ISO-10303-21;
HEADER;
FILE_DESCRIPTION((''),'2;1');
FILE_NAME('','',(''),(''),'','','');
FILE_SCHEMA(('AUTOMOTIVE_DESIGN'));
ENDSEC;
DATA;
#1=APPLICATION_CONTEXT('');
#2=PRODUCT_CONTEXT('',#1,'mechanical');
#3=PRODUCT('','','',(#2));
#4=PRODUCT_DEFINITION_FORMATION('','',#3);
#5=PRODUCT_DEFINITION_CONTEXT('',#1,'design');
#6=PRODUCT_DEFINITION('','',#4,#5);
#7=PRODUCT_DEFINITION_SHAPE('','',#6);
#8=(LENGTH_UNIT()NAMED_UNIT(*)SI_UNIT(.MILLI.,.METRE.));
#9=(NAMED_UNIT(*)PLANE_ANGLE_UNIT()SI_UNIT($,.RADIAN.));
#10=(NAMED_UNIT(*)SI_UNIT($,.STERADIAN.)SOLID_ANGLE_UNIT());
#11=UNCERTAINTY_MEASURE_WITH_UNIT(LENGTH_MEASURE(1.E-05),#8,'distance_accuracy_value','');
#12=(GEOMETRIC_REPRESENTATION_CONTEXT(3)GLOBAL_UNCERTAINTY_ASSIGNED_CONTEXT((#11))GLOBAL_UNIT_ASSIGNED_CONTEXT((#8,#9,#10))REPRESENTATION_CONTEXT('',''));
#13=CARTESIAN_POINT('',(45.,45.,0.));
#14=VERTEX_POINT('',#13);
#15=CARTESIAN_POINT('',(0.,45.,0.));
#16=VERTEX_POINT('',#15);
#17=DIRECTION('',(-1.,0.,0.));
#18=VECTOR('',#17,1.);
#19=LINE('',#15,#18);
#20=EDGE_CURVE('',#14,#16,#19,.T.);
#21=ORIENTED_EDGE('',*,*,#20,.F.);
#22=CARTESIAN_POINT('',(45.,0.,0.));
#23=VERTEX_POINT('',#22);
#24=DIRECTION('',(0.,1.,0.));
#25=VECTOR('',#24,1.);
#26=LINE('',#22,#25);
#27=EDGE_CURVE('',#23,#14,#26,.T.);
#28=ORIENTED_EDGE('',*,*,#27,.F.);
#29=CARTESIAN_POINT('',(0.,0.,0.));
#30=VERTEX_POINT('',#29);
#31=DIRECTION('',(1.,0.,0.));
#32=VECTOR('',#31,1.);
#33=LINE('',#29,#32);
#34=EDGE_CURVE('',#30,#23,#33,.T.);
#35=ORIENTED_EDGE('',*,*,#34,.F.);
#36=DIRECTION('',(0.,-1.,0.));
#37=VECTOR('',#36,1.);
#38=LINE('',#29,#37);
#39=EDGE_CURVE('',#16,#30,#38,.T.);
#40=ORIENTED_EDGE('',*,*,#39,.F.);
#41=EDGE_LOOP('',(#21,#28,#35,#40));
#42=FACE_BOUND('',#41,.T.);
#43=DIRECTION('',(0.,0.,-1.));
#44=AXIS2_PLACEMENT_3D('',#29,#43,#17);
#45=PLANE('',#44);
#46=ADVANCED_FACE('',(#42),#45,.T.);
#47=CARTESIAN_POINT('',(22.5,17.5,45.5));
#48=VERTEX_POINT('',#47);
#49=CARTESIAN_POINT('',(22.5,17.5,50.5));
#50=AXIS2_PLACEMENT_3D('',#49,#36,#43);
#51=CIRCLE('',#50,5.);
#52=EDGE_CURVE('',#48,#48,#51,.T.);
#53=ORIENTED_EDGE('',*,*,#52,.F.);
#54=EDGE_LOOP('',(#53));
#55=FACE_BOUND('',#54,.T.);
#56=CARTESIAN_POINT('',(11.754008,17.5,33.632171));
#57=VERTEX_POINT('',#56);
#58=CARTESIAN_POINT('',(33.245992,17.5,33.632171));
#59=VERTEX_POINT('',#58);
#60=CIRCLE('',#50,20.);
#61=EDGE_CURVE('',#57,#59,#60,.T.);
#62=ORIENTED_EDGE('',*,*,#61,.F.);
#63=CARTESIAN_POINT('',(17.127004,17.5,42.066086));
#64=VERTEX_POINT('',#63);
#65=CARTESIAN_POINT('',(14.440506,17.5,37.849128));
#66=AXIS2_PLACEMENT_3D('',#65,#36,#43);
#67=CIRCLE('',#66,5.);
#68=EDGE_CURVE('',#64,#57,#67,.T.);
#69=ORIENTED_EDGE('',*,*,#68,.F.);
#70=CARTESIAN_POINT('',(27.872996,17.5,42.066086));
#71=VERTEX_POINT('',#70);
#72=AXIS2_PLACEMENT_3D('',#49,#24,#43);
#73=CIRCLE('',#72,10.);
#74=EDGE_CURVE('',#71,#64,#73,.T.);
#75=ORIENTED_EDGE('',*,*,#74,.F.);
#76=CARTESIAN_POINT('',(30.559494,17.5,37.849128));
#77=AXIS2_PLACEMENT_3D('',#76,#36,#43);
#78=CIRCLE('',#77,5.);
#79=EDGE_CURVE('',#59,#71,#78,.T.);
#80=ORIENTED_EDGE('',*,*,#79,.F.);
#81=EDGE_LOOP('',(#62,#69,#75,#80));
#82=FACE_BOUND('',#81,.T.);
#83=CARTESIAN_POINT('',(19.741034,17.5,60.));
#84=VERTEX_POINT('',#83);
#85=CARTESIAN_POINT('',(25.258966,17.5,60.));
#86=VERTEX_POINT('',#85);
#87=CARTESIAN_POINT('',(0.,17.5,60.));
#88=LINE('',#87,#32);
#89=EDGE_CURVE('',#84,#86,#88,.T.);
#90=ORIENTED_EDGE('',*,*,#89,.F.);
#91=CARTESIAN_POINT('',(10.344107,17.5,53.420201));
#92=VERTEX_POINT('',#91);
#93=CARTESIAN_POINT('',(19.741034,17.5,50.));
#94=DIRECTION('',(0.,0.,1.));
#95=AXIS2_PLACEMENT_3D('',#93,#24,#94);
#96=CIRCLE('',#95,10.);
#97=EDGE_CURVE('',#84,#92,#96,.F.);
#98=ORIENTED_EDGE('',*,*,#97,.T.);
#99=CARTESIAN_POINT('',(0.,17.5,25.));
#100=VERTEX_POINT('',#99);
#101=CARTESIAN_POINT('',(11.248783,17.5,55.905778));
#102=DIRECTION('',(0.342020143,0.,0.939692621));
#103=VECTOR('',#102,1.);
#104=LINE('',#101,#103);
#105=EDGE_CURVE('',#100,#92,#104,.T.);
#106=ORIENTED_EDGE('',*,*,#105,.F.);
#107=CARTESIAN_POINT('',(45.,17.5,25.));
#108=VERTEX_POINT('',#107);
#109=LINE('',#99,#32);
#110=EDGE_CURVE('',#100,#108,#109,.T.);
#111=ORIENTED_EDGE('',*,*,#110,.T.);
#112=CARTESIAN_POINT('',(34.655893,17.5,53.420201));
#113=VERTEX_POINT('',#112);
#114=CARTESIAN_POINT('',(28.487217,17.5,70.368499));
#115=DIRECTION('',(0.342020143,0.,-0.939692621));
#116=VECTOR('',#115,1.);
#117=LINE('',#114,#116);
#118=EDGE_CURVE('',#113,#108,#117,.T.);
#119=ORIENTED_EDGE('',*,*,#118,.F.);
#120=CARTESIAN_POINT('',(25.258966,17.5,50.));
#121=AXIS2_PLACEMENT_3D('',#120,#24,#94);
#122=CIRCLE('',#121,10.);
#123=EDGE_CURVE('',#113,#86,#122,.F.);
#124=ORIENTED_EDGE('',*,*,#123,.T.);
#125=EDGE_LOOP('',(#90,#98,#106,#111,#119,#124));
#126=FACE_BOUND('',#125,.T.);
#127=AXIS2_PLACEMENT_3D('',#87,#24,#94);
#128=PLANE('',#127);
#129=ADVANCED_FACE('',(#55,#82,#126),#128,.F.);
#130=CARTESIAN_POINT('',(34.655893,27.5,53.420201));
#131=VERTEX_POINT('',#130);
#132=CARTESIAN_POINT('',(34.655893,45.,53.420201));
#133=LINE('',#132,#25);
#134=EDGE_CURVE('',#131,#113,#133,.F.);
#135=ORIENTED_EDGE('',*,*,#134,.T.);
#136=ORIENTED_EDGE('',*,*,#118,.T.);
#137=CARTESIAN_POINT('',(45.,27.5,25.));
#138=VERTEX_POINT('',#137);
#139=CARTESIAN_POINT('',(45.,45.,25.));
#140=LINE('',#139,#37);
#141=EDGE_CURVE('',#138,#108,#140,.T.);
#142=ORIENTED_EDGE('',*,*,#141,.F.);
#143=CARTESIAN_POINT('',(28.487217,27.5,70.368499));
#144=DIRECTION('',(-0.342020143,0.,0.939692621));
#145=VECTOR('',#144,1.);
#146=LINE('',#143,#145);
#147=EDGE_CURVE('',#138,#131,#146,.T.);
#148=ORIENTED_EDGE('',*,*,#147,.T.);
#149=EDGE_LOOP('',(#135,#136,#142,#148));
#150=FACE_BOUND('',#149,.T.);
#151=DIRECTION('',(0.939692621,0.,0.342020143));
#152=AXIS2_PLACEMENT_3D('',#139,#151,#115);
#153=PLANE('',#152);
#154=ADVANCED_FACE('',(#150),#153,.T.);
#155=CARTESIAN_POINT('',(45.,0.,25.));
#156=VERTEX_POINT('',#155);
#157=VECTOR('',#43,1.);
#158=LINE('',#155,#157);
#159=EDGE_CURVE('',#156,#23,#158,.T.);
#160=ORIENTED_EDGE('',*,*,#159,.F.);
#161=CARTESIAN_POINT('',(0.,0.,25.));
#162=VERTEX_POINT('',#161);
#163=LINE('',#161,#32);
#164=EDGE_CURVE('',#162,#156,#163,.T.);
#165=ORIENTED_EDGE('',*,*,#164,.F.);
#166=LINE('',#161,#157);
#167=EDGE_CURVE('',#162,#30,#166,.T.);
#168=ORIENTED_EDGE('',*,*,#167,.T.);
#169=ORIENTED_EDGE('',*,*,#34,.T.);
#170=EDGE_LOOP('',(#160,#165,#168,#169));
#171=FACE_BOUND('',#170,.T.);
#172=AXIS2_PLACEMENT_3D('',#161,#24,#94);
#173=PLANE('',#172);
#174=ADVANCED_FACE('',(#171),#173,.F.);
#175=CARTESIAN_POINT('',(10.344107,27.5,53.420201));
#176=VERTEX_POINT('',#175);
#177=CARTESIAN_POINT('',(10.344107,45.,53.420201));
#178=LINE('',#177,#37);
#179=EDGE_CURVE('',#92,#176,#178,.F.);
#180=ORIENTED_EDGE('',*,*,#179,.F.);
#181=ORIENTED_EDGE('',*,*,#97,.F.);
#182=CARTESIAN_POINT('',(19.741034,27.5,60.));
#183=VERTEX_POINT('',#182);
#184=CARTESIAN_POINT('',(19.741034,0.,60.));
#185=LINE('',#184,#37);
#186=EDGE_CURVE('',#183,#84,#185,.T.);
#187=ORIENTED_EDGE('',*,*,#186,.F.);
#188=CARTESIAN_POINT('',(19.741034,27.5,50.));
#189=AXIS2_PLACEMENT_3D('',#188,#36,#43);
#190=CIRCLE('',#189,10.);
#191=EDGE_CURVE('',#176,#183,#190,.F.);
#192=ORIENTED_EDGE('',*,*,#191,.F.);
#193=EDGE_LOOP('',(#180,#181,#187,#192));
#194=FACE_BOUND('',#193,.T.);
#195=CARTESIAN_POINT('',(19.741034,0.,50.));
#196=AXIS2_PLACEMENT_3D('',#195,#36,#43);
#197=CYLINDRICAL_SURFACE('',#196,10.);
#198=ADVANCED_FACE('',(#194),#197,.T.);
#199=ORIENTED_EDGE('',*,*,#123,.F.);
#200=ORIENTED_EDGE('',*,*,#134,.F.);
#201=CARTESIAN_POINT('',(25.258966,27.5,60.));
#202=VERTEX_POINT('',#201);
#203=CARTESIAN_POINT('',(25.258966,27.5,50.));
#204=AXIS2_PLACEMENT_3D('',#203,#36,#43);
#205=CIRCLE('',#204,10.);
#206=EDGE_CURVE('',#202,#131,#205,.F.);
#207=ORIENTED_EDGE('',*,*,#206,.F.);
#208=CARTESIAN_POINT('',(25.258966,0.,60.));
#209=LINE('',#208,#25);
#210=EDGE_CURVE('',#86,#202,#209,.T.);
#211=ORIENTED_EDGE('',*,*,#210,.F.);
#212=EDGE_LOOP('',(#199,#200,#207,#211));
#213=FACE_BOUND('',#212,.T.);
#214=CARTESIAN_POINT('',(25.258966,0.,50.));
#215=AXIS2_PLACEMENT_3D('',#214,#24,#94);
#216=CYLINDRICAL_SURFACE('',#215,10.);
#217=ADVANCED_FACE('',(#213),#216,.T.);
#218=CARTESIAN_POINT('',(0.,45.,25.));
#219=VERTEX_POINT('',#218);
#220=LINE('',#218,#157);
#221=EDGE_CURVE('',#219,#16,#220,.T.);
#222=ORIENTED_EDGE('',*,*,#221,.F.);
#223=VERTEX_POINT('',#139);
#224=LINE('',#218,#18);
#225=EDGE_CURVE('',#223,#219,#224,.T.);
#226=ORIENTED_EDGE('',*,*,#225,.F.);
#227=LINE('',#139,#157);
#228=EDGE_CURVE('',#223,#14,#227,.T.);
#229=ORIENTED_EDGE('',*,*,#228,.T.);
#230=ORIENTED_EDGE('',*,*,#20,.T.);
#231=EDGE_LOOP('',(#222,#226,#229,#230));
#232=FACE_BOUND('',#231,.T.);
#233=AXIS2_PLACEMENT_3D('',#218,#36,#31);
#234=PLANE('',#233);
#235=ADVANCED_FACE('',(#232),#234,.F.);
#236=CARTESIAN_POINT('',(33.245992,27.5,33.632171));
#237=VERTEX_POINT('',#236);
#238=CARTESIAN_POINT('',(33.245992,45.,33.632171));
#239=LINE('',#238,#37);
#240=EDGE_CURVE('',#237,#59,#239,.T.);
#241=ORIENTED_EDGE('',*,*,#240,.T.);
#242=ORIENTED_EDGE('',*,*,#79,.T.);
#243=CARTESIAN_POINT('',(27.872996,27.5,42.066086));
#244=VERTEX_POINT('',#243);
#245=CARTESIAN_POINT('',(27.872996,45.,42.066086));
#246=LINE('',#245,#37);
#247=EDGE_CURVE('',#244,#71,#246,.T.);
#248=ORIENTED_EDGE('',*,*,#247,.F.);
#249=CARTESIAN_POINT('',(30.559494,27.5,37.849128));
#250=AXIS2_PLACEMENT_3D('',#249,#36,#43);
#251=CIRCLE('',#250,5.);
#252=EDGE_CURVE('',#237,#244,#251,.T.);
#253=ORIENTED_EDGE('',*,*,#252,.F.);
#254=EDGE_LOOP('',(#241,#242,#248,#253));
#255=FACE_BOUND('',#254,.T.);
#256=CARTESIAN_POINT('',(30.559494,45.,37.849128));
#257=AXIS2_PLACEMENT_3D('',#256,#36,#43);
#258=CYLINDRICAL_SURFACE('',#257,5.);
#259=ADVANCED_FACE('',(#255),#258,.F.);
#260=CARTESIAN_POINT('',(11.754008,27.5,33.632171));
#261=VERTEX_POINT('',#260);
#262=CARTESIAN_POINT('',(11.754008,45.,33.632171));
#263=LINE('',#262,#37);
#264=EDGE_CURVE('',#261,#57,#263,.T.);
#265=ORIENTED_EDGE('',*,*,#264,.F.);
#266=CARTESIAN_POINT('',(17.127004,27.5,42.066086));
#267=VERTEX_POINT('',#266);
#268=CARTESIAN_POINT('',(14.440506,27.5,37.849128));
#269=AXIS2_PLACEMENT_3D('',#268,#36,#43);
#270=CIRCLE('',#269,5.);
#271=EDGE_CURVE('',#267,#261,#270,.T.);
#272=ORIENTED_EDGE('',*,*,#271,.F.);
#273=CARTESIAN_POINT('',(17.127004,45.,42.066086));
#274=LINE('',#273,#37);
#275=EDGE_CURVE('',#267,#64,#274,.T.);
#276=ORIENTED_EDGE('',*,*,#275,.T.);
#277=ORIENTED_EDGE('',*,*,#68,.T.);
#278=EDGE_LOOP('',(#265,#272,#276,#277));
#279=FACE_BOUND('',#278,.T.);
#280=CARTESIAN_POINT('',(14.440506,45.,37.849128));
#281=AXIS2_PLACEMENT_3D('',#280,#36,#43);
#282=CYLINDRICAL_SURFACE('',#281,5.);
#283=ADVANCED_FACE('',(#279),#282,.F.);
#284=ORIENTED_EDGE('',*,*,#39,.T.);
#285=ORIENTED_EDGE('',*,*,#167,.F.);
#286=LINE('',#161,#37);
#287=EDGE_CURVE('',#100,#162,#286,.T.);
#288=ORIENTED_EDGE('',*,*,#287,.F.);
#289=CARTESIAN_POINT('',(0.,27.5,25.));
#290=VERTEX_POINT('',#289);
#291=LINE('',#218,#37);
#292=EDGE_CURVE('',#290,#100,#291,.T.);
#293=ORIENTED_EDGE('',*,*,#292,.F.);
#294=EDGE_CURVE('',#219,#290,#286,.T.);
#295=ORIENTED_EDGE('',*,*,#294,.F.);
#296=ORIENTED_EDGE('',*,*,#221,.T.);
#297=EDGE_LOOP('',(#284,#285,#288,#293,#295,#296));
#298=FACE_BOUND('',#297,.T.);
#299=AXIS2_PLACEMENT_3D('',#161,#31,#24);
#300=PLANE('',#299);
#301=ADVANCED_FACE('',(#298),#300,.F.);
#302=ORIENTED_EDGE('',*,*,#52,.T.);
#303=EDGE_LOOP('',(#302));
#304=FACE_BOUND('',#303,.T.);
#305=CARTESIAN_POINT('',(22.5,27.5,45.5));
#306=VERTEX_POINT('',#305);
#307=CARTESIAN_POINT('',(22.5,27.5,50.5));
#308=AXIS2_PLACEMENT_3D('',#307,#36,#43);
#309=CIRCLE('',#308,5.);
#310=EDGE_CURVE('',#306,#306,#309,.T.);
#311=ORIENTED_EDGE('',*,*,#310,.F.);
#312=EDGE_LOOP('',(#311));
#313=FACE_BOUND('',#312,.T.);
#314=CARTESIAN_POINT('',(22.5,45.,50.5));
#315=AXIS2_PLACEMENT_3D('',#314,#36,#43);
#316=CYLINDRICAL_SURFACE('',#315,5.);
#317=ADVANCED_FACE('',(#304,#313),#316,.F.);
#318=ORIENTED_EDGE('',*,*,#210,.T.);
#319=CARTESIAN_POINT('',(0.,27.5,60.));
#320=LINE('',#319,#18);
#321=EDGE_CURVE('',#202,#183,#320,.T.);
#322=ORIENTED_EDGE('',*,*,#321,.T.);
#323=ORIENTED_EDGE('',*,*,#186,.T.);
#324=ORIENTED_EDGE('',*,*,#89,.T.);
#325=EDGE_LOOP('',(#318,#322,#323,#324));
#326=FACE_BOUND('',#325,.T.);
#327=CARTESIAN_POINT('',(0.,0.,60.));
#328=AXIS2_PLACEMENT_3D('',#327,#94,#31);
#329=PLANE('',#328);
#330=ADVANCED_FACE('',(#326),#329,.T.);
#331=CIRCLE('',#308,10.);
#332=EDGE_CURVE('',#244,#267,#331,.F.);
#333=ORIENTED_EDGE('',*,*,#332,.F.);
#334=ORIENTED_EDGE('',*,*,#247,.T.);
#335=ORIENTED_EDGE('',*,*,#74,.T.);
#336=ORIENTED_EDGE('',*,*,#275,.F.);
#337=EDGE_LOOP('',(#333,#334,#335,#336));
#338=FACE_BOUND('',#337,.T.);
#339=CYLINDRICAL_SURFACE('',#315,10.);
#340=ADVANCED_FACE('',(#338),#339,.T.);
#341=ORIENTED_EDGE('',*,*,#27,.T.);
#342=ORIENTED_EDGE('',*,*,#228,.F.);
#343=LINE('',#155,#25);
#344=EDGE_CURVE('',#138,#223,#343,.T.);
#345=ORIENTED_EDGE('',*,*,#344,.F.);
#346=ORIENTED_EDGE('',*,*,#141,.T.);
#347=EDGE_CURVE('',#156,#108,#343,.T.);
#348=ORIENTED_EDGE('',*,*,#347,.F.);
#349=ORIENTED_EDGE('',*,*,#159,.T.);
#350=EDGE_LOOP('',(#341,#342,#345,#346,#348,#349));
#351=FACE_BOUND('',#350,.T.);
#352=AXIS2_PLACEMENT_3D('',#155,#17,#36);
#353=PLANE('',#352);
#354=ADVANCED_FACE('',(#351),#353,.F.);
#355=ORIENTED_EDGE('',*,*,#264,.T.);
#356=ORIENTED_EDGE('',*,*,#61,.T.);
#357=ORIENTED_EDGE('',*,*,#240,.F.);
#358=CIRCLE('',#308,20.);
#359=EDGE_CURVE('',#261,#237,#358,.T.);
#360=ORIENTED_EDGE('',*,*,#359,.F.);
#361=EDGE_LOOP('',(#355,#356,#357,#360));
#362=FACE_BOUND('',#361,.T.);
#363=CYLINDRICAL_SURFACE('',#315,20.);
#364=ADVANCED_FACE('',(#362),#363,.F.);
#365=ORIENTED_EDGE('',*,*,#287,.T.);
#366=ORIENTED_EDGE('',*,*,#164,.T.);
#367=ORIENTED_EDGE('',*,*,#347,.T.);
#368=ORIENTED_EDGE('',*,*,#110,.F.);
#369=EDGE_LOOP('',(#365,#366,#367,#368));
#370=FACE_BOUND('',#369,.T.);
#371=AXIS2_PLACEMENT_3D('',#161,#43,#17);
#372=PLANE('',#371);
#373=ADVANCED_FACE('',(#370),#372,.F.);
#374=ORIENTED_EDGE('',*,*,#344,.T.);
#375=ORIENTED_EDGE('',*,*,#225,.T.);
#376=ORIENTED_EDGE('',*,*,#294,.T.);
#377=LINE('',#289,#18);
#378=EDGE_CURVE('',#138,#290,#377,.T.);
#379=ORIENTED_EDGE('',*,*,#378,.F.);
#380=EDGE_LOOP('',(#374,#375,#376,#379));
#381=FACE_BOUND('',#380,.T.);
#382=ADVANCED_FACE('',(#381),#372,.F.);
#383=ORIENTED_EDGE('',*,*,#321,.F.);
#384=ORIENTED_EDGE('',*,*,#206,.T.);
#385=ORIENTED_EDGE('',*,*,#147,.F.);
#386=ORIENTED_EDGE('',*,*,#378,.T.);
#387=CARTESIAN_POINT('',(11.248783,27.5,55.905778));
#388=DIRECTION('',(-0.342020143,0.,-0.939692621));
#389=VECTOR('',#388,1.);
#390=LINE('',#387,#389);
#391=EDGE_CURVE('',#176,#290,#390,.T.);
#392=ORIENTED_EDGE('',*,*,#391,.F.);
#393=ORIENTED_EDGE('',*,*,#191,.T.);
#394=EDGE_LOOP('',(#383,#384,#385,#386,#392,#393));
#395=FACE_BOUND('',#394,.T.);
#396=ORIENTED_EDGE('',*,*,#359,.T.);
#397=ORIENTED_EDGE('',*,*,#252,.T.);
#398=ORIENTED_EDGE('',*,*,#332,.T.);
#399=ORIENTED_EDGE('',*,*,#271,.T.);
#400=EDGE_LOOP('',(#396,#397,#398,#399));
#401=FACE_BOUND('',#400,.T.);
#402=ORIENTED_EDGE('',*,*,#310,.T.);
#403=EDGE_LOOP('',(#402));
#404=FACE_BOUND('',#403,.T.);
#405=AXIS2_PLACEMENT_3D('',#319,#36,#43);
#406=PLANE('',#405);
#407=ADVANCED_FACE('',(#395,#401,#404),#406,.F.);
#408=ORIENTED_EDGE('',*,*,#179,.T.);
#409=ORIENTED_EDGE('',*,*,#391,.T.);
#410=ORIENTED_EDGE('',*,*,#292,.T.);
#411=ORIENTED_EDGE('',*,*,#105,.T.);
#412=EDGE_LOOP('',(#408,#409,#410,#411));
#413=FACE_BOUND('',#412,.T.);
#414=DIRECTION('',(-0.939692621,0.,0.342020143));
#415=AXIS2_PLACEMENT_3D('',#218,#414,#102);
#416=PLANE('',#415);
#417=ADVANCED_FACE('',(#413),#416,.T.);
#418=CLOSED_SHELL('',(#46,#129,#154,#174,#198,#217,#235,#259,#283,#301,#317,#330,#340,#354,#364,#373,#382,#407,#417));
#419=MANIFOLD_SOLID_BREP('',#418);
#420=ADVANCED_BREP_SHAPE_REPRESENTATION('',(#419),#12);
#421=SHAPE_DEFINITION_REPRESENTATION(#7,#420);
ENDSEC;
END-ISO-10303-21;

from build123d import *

# Parameters (mm, degrees)
SKETCH1_W           = 45
SKETCH1_H           = 45
BOSS_EXTRUDE1_DEPTH = 25
SKETCH3_W           = 45
SKETCH3_H           = 10
BOSS_EXTRUDE2_DEPTH = 35
SKETCH4_R           = 5
CUT_EXTRUDE4_DEPTH  = 28.5
CUT_EXTRUDE5_DEPTH  = 46
FILLET1_R           = 10


with BuildPart() as part:
    # Sketch1 → Boss-Extrude1 (new body)
    with BuildSketch(Plane.XY):
        with Locations((22.5, 22.5)):
            Rectangle(SKETCH1_W, SKETCH1_H)
    extrude(amount=BOSS_EXTRUDE1_DEPTH)

    # Sketch3 → Boss-Extrude2 (add)
    with BuildSketch(Plane.XY.offset(25)):
        with Locations((22.5, 22.5)):
            Rectangle(SKETCH3_W, SKETCH3_H)
    extrude(amount=BOSS_EXTRUDE2_DEPTH)

    # Sketch4 → Cut-Extrude4 (cut, through all)
    with BuildSketch(Plane.XZ.offset(-17.5)):
        with Locations((22.5, 50.5)):
            Circle(SKETCH4_R)
        with BuildLine():
            ThreePointArc((33.245992167, 33.632171084), (34.776451354, 40.535626355), (27.872996083, 42.066085542))
            ThreePointArc((27.872996083, 42.066085542), (22.5, 40.5), (17.127003917, 42.066085542))
            ThreePointArc((17.127003917, 42.066085542), (10.223548646, 40.535626355), (11.754007833, 33.632171084))
            ThreePointArc((11.754007833, 33.632171084), (22.5, 30.5), (33.245992167, 33.632171084))
        make_face()
    extrude(amount=-CUT_EXTRUDE4_DEPTH, mode=Mode.SUBTRACT)

    # Sketch5 → Cut-Extrude5 (cut, through all)
    with BuildSketch(Plane(origin=(0, 0, 0), x_dir=(1, 0, 0), z_dir=(0, 1, 0))):
        Polygon((45, -25), (32.261041801, -60), (45, -60), align=None)
        Polygon((0, -25), (12.738958199, -60), (0, -60), align=None)
    extrude(amount=CUT_EXTRUDE5_DEPTH, mode=Mode.SUBTRACT)

    # Fillet1
    fillet1_edges = [part.edges().sort_by_distance(p)[0] for p in [
        (12.738958199, 22.5, 60),
        (32.261041801, 22.5, 60),
    ]]
    fillet(fillet1_edges, radius=FILLET1_R)


solid = part.part
